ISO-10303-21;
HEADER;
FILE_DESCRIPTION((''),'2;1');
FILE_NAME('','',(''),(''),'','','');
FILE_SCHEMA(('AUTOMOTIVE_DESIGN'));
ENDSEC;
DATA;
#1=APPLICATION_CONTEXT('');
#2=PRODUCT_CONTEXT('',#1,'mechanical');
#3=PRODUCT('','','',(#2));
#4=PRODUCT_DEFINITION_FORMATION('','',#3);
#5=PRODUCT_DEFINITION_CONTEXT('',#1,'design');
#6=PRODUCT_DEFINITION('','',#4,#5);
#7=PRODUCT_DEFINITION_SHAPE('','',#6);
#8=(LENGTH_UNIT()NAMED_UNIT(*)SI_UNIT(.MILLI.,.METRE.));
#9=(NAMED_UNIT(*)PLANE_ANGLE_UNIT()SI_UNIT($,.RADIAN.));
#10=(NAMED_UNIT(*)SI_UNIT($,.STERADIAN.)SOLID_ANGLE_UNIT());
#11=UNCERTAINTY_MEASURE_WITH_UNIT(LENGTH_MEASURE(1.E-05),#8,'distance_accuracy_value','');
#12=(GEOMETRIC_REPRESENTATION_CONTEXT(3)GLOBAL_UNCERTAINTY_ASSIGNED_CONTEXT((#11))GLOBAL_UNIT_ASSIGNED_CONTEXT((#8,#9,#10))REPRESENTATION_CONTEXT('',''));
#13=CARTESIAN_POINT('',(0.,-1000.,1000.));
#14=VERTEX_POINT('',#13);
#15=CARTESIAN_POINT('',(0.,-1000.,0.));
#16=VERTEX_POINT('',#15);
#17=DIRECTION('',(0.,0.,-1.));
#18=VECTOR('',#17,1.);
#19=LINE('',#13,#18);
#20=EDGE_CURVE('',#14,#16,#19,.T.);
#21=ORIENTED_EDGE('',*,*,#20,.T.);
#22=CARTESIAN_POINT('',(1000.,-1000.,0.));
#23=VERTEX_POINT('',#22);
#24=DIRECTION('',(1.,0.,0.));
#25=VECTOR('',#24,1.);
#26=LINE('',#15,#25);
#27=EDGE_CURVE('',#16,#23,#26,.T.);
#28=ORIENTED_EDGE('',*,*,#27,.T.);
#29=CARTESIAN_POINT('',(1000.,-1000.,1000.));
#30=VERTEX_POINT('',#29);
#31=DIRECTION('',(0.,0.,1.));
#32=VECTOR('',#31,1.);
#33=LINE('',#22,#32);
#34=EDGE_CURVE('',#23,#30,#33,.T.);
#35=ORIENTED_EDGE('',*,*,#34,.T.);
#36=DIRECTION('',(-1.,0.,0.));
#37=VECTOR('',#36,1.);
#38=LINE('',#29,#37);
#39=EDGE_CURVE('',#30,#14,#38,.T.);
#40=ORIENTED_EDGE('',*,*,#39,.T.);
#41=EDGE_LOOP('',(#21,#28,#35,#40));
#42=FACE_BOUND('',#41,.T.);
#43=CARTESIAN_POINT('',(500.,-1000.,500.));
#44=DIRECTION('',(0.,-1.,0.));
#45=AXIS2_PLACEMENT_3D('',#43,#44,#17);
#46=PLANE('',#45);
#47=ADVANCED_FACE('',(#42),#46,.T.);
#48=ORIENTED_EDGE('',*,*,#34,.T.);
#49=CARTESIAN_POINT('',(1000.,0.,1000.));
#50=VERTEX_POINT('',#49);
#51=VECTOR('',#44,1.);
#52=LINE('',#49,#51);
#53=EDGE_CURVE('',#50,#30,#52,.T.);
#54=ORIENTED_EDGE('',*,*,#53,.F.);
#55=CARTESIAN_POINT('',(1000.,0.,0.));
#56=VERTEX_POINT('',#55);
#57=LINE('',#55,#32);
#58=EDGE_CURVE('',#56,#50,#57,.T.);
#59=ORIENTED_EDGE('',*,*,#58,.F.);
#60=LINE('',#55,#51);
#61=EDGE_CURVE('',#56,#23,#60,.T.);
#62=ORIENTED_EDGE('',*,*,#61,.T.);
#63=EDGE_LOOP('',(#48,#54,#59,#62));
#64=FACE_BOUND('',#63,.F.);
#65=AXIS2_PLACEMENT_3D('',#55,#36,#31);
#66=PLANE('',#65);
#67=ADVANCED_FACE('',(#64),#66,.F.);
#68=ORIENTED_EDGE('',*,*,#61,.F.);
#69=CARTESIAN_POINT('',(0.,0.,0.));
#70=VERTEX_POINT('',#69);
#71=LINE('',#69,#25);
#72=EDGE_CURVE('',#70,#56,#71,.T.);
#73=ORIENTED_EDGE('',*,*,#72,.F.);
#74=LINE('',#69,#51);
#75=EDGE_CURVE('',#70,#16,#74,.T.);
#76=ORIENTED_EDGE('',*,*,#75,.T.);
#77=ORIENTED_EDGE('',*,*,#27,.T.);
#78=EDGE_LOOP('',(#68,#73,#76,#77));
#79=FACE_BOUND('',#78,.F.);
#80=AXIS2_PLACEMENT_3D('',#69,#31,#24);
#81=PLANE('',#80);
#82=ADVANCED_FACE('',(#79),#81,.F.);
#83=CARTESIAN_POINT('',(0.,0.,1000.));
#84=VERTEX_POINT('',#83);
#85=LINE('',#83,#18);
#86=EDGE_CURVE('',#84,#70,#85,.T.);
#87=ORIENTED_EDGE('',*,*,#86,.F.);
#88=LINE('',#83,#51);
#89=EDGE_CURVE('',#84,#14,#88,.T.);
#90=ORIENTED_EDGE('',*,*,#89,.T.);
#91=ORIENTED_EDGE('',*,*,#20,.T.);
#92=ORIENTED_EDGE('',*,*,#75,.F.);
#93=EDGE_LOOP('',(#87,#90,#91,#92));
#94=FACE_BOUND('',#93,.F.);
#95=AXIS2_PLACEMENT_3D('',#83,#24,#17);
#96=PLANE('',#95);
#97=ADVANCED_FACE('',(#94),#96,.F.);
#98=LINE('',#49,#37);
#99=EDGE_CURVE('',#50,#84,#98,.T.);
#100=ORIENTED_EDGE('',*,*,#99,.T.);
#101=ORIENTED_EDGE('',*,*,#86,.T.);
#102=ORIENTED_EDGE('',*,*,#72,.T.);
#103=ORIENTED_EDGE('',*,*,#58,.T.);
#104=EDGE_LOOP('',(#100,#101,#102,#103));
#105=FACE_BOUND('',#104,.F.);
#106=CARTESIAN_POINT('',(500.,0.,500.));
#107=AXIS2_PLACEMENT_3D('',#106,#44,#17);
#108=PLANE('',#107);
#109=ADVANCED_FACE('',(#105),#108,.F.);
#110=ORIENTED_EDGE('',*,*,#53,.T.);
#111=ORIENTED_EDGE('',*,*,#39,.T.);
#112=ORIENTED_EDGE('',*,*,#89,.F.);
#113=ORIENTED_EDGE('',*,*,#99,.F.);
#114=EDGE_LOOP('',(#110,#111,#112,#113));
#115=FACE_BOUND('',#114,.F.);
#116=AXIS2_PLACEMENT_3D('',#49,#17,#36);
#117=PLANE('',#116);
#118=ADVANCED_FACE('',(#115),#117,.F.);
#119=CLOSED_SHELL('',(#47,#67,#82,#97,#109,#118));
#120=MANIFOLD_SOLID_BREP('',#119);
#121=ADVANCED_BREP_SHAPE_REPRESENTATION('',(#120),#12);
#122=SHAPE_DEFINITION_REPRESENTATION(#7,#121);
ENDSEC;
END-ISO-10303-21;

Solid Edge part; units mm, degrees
sketch "Sketch1" plane through (0, 0, 0) normal (0, -1, 0) x (1, 0, 0)
  line L0 (1000, 1000) -> (0, 1000)
  line L1 (0, 1000) -> (0, 0)
  line L2 (0, 0) -> (1000, 0)
  line L3 (1000, 0) -> (1000, 1000)
extrude "Protrusion1" add sketch "Sketch1" along normal blind 1000
properties material "Steel, structural"
